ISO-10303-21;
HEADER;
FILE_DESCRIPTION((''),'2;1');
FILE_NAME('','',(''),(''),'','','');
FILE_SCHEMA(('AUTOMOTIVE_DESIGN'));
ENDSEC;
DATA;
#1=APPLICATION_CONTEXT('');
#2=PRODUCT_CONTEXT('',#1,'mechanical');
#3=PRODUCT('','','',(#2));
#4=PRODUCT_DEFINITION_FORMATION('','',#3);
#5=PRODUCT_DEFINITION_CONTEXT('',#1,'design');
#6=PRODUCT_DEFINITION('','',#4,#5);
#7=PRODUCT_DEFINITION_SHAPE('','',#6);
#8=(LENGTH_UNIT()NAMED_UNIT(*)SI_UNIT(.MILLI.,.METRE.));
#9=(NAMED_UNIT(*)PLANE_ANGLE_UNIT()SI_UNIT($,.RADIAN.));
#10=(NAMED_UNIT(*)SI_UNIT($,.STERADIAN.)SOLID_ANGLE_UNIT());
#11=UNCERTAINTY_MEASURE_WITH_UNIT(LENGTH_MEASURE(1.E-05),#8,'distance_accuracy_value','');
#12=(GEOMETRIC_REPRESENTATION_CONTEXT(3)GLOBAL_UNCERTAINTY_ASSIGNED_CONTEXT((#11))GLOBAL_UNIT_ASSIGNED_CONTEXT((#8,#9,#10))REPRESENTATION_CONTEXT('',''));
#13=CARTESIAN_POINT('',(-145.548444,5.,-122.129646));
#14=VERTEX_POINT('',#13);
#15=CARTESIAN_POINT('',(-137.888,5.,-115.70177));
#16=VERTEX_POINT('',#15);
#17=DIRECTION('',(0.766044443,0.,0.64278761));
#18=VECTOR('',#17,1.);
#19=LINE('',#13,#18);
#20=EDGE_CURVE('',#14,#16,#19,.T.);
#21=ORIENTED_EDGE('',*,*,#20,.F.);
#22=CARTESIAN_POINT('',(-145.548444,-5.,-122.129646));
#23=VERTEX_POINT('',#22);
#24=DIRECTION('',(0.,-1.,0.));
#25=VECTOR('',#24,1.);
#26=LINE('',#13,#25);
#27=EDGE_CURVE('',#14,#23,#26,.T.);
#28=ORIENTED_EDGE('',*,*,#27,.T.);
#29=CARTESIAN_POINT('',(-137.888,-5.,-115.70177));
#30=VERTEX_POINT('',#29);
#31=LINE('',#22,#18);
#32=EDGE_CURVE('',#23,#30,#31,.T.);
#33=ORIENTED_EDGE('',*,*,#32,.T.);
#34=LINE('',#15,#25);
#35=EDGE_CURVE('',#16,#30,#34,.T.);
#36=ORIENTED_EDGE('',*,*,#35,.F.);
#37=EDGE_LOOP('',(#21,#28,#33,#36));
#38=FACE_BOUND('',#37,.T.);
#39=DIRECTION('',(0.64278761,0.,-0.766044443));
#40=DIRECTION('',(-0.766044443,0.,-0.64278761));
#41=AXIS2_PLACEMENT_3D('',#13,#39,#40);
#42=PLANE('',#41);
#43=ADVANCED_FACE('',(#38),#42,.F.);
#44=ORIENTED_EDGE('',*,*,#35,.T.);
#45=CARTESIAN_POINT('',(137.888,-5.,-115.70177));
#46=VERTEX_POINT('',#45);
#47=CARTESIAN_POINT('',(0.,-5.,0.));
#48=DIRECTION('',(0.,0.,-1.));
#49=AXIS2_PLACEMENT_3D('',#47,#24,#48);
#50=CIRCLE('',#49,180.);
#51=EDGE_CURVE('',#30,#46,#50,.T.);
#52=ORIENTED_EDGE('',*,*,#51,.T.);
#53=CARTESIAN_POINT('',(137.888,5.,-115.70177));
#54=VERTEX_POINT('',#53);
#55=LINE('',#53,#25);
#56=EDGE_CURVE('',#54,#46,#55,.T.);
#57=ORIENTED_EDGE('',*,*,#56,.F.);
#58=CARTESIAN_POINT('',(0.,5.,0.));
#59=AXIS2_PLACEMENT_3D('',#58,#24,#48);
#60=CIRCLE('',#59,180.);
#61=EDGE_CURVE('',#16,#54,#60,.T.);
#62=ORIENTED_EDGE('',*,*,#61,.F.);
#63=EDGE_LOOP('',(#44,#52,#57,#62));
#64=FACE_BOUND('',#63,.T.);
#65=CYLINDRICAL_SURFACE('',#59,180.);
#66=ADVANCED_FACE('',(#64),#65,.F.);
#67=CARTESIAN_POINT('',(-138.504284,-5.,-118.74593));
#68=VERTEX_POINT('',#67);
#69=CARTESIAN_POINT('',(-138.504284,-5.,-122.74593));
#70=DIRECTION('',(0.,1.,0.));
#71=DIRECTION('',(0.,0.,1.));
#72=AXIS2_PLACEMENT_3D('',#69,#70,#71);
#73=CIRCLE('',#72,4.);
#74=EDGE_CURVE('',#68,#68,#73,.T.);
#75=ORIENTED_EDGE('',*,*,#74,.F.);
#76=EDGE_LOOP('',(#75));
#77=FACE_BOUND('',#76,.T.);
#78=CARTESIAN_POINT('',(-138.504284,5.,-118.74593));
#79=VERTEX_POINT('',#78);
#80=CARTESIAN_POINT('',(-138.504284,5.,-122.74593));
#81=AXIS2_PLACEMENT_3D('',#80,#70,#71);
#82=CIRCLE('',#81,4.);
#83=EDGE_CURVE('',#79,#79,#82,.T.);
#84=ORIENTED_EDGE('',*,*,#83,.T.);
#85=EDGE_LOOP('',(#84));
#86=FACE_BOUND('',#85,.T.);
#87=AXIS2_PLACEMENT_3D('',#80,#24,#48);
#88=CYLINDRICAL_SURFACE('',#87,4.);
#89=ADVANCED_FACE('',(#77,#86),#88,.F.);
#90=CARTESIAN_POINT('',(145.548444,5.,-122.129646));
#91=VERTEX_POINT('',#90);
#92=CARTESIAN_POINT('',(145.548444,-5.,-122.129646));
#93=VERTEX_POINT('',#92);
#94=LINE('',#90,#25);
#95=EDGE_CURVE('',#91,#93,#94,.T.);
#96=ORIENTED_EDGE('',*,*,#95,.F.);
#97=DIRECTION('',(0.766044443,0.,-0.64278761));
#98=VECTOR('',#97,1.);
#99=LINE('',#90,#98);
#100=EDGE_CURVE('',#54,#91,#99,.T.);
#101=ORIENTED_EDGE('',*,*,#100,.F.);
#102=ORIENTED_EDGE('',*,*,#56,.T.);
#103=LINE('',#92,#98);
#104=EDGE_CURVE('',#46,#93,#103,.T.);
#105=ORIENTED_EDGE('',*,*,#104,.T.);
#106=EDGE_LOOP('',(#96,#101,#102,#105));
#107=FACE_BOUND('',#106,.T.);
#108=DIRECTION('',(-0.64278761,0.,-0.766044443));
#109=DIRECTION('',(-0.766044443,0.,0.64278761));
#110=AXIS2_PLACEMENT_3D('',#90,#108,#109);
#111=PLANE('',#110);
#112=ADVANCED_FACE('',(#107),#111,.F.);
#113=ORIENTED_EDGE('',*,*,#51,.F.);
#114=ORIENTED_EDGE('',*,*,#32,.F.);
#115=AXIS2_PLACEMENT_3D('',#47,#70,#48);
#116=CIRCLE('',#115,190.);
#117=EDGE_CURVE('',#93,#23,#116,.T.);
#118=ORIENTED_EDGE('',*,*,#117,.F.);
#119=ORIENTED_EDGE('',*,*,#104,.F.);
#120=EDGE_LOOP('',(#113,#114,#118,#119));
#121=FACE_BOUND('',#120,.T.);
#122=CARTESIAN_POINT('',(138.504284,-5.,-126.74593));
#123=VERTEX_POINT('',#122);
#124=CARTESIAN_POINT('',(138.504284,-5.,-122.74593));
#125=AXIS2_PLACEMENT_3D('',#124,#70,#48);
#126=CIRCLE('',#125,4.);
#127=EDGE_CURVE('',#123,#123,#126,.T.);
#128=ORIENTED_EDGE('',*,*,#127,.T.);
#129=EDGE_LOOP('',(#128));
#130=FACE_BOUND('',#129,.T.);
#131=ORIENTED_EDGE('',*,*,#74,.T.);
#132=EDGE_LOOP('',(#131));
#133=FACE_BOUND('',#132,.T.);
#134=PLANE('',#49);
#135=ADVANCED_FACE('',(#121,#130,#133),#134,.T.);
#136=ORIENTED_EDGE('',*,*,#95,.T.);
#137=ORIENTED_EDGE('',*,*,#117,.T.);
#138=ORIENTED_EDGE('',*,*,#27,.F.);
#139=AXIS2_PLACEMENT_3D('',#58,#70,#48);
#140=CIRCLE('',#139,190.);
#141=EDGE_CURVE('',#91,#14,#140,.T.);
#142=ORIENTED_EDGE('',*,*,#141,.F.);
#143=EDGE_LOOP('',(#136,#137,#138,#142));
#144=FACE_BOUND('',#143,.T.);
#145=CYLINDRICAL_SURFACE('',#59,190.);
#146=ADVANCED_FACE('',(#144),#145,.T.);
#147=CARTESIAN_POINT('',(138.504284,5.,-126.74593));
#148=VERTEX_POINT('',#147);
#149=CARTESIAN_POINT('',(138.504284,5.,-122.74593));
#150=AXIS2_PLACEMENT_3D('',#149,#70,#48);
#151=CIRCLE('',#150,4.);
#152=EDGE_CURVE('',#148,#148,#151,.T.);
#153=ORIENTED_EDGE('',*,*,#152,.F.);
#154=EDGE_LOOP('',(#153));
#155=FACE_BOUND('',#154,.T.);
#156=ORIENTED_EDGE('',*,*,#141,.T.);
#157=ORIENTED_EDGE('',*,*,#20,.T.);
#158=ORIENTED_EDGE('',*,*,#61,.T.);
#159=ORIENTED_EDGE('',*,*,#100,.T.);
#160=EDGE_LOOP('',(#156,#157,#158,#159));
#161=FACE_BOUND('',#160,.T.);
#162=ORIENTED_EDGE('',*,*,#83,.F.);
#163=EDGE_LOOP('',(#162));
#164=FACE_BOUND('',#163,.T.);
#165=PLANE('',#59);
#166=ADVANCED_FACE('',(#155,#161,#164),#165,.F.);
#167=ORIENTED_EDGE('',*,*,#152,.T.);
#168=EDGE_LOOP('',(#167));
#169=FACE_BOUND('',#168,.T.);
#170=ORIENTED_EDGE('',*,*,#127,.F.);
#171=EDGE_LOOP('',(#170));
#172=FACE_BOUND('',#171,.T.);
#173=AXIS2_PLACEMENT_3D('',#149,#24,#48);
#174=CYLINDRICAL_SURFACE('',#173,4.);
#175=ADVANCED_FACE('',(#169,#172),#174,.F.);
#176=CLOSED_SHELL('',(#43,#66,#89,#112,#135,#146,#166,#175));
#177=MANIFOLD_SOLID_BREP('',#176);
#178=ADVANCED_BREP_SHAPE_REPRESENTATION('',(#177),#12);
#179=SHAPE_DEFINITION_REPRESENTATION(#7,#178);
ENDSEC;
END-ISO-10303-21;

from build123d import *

# Parameters (mm, degrees)
SKETCH1_R           = 4
BOSS_EXTRUDE1_DEPTH = 5


with BuildPart() as part:
    # Sketch1 → Boss-Extrude1 (new body, symmetric)
    with BuildSketch(Plane(origin=(0, 0, 0), x_dir=(1, 0, 0), z_dir=(0, 1, 0))):
        with BuildLine():
            Line((-145.548444193, 122.12964584), (-137.887999761, 115.701769744))
            ThreePointArc((-137.887999761, 115.701769744), (0, 180), (137.887999761, 115.701769744))
            Line((137.887999761, 115.701769744), (145.548444193, 122.12964584))
            ThreePointArc((145.548444193, 122.12964584), (0, 190), (-145.548444193, 122.12964584))
        make_face()
        with Locations((-138.504283929, 122.745930008)):
            Circle(SKETCH1_R, mode=Mode.SUBTRACT)
        with Locations((138.504283929, 122.745930008)):
            Circle(SKETCH1_R, mode=Mode.SUBTRACT)
    extrude(amount=BOSS_EXTRUDE1_DEPTH, both=True)


solid = part.part
